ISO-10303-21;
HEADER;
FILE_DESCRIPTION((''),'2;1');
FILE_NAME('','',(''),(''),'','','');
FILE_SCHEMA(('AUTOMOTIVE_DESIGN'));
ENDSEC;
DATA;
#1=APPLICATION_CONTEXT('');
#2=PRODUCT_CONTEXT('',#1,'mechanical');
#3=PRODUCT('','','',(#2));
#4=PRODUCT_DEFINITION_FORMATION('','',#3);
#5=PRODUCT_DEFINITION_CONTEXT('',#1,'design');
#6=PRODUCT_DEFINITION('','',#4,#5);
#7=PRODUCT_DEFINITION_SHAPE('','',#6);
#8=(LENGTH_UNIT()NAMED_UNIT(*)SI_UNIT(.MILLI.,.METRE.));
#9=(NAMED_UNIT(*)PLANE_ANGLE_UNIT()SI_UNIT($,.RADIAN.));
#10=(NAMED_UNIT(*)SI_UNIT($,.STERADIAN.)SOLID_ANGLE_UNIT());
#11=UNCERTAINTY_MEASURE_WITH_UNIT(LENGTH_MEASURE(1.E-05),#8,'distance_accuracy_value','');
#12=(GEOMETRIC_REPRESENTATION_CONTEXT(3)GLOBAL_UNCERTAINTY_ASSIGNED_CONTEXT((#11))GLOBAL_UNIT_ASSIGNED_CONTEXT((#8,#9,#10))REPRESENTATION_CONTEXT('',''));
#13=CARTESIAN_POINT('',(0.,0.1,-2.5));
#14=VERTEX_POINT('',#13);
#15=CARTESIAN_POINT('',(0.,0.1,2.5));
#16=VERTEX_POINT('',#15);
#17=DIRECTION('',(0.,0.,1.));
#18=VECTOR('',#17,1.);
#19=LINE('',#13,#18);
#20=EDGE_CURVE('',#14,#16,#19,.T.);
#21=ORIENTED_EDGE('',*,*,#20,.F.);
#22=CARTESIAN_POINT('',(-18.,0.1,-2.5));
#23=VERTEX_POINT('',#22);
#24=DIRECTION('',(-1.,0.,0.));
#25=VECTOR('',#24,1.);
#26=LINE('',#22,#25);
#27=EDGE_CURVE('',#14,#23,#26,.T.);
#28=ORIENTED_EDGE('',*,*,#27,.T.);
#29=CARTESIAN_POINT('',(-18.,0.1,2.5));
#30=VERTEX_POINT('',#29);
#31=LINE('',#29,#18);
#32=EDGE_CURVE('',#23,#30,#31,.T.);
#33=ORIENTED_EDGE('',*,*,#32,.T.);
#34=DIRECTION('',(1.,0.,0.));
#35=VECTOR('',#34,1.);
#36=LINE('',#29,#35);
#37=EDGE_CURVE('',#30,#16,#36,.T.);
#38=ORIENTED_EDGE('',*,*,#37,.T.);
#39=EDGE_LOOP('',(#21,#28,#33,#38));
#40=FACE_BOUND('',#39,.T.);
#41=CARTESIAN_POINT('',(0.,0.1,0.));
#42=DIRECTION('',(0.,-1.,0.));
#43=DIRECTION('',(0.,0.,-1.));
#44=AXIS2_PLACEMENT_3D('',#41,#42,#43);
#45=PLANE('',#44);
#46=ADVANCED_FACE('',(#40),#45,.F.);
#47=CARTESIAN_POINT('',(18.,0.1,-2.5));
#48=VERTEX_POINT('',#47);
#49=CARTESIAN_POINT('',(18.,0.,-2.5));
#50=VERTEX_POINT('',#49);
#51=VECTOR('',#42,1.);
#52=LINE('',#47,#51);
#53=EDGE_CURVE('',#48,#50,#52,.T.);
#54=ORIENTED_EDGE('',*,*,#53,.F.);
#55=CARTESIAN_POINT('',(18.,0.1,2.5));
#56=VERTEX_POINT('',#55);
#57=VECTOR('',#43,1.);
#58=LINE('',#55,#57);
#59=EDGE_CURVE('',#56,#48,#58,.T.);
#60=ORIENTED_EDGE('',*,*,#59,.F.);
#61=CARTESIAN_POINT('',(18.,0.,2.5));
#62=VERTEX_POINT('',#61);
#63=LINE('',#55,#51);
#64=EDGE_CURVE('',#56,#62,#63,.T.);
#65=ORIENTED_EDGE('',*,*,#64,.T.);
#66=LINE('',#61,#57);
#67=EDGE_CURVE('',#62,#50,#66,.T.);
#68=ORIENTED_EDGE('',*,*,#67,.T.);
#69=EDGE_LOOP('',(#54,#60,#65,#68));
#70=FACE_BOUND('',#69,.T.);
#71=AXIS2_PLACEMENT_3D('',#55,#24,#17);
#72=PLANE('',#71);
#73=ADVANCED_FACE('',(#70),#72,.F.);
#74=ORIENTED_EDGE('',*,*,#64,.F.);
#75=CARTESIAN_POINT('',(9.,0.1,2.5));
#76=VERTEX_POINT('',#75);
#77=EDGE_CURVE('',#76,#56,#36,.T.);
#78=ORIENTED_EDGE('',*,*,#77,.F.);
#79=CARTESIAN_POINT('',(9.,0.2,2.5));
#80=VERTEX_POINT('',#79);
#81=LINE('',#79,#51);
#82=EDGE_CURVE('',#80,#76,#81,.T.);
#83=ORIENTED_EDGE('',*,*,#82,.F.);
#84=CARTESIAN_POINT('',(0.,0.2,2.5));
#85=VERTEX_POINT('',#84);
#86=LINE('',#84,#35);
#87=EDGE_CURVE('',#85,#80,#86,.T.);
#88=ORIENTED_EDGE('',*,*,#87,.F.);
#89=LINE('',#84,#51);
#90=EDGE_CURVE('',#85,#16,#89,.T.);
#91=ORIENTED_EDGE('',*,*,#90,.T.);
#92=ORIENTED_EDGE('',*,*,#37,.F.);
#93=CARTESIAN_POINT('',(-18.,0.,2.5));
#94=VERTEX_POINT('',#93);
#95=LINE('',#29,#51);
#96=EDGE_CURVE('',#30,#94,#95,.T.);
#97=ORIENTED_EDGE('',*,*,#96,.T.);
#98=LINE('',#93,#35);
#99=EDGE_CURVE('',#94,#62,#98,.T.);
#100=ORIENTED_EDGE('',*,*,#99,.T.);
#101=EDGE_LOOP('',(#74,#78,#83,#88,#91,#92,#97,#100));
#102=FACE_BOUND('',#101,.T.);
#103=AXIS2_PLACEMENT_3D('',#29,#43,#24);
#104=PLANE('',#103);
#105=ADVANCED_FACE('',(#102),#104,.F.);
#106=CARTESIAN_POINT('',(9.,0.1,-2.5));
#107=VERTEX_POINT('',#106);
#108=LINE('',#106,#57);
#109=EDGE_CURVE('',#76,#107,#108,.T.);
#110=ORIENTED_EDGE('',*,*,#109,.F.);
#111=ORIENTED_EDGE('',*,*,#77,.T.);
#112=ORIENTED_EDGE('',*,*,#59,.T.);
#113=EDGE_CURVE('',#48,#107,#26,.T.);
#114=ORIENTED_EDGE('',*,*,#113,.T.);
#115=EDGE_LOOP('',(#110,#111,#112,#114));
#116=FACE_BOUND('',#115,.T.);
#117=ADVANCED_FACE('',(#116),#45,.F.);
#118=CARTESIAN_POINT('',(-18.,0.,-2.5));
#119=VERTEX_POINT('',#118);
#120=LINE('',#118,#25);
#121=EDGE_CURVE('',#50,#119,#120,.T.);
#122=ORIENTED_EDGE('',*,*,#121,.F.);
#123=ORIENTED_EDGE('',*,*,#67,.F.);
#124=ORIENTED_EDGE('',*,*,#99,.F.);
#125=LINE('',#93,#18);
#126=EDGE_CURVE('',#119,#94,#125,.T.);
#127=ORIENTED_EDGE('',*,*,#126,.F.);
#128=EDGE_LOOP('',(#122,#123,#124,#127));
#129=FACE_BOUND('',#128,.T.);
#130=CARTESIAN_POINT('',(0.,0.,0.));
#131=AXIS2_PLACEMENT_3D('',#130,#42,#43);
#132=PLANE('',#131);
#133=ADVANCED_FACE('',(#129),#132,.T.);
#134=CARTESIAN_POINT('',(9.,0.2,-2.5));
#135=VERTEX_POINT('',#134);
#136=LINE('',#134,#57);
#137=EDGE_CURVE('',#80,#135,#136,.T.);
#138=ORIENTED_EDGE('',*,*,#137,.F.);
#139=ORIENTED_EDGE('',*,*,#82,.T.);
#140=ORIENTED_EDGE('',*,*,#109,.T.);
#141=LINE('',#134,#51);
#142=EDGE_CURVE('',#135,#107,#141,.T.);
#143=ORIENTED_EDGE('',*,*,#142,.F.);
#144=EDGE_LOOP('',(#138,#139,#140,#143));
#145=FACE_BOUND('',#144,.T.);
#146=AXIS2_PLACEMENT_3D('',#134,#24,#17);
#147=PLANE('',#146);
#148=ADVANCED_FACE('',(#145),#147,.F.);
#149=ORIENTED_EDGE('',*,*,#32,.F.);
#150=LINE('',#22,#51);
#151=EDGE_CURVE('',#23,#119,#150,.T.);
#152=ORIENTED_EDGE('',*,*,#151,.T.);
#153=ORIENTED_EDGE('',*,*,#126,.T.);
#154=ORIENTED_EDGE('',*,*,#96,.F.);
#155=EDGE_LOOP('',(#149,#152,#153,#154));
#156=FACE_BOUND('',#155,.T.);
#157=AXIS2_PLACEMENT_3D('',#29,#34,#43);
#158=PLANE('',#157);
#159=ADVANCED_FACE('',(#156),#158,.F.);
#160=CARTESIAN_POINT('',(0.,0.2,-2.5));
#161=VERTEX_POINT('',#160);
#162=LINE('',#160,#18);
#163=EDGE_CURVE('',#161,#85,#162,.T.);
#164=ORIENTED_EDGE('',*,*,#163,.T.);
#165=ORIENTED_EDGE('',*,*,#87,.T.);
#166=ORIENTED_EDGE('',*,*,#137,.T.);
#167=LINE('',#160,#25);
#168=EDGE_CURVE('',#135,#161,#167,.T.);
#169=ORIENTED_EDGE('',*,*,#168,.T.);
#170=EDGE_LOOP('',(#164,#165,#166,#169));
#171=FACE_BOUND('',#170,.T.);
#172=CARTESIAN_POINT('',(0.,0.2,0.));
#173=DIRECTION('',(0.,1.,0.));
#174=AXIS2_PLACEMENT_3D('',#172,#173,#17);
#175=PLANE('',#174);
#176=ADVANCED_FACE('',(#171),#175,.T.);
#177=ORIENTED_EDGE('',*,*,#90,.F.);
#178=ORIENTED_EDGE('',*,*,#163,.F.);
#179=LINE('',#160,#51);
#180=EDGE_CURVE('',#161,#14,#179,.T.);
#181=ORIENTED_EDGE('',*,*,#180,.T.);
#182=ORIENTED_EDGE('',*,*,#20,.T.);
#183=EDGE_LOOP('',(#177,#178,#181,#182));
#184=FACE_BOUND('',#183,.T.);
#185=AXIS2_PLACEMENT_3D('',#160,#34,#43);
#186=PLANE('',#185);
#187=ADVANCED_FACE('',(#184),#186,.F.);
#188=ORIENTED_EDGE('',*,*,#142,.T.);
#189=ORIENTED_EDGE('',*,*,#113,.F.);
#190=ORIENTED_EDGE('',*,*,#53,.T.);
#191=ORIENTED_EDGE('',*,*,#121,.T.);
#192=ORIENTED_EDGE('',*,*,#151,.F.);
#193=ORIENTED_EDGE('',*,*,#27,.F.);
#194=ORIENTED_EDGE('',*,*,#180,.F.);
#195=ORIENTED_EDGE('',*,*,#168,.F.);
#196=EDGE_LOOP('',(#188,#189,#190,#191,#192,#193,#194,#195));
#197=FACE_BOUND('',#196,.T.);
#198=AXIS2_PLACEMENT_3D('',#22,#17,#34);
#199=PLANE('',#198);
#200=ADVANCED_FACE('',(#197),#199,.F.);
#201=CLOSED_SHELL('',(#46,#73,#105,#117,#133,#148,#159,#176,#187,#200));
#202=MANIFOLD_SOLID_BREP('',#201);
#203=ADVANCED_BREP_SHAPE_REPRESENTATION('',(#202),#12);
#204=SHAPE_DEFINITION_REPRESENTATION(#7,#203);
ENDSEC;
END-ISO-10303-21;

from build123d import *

# Parameters (mm, degrees)
SKETCH1_W           = 36
SKETCH1_H           = 5
BOSS_EXTRUDE1_DEPTH = 0.1
SKETCH2_W           = 9
SKETCH2_H           = 5
BOSS_EXTRUDE2_DEPTH = 0.1


with BuildPart() as part:
    # Sketch1 → Boss-Extrude1 (new body)
    with BuildSketch(Plane(origin=(0, 0, 0), x_dir=(1, 0, 0), z_dir=(0, 1, 0))):
        Rectangle(SKETCH1_W, SKETCH1_H)
    extrude(amount=BOSS_EXTRUDE1_DEPTH)

    # Sketch2 → Boss-Extrude2 (add)
    with BuildSketch(Plane(origin=(0, 0.1, 0), x_dir=(1, 0, 0), z_dir=(0, 1, 0))):
        with Locations((4.5, 0)):
            Rectangle(SKETCH2_W, SKETCH2_H)
    extrude(amount=BOSS_EXTRUDE2_DEPTH)


solid = part.part
